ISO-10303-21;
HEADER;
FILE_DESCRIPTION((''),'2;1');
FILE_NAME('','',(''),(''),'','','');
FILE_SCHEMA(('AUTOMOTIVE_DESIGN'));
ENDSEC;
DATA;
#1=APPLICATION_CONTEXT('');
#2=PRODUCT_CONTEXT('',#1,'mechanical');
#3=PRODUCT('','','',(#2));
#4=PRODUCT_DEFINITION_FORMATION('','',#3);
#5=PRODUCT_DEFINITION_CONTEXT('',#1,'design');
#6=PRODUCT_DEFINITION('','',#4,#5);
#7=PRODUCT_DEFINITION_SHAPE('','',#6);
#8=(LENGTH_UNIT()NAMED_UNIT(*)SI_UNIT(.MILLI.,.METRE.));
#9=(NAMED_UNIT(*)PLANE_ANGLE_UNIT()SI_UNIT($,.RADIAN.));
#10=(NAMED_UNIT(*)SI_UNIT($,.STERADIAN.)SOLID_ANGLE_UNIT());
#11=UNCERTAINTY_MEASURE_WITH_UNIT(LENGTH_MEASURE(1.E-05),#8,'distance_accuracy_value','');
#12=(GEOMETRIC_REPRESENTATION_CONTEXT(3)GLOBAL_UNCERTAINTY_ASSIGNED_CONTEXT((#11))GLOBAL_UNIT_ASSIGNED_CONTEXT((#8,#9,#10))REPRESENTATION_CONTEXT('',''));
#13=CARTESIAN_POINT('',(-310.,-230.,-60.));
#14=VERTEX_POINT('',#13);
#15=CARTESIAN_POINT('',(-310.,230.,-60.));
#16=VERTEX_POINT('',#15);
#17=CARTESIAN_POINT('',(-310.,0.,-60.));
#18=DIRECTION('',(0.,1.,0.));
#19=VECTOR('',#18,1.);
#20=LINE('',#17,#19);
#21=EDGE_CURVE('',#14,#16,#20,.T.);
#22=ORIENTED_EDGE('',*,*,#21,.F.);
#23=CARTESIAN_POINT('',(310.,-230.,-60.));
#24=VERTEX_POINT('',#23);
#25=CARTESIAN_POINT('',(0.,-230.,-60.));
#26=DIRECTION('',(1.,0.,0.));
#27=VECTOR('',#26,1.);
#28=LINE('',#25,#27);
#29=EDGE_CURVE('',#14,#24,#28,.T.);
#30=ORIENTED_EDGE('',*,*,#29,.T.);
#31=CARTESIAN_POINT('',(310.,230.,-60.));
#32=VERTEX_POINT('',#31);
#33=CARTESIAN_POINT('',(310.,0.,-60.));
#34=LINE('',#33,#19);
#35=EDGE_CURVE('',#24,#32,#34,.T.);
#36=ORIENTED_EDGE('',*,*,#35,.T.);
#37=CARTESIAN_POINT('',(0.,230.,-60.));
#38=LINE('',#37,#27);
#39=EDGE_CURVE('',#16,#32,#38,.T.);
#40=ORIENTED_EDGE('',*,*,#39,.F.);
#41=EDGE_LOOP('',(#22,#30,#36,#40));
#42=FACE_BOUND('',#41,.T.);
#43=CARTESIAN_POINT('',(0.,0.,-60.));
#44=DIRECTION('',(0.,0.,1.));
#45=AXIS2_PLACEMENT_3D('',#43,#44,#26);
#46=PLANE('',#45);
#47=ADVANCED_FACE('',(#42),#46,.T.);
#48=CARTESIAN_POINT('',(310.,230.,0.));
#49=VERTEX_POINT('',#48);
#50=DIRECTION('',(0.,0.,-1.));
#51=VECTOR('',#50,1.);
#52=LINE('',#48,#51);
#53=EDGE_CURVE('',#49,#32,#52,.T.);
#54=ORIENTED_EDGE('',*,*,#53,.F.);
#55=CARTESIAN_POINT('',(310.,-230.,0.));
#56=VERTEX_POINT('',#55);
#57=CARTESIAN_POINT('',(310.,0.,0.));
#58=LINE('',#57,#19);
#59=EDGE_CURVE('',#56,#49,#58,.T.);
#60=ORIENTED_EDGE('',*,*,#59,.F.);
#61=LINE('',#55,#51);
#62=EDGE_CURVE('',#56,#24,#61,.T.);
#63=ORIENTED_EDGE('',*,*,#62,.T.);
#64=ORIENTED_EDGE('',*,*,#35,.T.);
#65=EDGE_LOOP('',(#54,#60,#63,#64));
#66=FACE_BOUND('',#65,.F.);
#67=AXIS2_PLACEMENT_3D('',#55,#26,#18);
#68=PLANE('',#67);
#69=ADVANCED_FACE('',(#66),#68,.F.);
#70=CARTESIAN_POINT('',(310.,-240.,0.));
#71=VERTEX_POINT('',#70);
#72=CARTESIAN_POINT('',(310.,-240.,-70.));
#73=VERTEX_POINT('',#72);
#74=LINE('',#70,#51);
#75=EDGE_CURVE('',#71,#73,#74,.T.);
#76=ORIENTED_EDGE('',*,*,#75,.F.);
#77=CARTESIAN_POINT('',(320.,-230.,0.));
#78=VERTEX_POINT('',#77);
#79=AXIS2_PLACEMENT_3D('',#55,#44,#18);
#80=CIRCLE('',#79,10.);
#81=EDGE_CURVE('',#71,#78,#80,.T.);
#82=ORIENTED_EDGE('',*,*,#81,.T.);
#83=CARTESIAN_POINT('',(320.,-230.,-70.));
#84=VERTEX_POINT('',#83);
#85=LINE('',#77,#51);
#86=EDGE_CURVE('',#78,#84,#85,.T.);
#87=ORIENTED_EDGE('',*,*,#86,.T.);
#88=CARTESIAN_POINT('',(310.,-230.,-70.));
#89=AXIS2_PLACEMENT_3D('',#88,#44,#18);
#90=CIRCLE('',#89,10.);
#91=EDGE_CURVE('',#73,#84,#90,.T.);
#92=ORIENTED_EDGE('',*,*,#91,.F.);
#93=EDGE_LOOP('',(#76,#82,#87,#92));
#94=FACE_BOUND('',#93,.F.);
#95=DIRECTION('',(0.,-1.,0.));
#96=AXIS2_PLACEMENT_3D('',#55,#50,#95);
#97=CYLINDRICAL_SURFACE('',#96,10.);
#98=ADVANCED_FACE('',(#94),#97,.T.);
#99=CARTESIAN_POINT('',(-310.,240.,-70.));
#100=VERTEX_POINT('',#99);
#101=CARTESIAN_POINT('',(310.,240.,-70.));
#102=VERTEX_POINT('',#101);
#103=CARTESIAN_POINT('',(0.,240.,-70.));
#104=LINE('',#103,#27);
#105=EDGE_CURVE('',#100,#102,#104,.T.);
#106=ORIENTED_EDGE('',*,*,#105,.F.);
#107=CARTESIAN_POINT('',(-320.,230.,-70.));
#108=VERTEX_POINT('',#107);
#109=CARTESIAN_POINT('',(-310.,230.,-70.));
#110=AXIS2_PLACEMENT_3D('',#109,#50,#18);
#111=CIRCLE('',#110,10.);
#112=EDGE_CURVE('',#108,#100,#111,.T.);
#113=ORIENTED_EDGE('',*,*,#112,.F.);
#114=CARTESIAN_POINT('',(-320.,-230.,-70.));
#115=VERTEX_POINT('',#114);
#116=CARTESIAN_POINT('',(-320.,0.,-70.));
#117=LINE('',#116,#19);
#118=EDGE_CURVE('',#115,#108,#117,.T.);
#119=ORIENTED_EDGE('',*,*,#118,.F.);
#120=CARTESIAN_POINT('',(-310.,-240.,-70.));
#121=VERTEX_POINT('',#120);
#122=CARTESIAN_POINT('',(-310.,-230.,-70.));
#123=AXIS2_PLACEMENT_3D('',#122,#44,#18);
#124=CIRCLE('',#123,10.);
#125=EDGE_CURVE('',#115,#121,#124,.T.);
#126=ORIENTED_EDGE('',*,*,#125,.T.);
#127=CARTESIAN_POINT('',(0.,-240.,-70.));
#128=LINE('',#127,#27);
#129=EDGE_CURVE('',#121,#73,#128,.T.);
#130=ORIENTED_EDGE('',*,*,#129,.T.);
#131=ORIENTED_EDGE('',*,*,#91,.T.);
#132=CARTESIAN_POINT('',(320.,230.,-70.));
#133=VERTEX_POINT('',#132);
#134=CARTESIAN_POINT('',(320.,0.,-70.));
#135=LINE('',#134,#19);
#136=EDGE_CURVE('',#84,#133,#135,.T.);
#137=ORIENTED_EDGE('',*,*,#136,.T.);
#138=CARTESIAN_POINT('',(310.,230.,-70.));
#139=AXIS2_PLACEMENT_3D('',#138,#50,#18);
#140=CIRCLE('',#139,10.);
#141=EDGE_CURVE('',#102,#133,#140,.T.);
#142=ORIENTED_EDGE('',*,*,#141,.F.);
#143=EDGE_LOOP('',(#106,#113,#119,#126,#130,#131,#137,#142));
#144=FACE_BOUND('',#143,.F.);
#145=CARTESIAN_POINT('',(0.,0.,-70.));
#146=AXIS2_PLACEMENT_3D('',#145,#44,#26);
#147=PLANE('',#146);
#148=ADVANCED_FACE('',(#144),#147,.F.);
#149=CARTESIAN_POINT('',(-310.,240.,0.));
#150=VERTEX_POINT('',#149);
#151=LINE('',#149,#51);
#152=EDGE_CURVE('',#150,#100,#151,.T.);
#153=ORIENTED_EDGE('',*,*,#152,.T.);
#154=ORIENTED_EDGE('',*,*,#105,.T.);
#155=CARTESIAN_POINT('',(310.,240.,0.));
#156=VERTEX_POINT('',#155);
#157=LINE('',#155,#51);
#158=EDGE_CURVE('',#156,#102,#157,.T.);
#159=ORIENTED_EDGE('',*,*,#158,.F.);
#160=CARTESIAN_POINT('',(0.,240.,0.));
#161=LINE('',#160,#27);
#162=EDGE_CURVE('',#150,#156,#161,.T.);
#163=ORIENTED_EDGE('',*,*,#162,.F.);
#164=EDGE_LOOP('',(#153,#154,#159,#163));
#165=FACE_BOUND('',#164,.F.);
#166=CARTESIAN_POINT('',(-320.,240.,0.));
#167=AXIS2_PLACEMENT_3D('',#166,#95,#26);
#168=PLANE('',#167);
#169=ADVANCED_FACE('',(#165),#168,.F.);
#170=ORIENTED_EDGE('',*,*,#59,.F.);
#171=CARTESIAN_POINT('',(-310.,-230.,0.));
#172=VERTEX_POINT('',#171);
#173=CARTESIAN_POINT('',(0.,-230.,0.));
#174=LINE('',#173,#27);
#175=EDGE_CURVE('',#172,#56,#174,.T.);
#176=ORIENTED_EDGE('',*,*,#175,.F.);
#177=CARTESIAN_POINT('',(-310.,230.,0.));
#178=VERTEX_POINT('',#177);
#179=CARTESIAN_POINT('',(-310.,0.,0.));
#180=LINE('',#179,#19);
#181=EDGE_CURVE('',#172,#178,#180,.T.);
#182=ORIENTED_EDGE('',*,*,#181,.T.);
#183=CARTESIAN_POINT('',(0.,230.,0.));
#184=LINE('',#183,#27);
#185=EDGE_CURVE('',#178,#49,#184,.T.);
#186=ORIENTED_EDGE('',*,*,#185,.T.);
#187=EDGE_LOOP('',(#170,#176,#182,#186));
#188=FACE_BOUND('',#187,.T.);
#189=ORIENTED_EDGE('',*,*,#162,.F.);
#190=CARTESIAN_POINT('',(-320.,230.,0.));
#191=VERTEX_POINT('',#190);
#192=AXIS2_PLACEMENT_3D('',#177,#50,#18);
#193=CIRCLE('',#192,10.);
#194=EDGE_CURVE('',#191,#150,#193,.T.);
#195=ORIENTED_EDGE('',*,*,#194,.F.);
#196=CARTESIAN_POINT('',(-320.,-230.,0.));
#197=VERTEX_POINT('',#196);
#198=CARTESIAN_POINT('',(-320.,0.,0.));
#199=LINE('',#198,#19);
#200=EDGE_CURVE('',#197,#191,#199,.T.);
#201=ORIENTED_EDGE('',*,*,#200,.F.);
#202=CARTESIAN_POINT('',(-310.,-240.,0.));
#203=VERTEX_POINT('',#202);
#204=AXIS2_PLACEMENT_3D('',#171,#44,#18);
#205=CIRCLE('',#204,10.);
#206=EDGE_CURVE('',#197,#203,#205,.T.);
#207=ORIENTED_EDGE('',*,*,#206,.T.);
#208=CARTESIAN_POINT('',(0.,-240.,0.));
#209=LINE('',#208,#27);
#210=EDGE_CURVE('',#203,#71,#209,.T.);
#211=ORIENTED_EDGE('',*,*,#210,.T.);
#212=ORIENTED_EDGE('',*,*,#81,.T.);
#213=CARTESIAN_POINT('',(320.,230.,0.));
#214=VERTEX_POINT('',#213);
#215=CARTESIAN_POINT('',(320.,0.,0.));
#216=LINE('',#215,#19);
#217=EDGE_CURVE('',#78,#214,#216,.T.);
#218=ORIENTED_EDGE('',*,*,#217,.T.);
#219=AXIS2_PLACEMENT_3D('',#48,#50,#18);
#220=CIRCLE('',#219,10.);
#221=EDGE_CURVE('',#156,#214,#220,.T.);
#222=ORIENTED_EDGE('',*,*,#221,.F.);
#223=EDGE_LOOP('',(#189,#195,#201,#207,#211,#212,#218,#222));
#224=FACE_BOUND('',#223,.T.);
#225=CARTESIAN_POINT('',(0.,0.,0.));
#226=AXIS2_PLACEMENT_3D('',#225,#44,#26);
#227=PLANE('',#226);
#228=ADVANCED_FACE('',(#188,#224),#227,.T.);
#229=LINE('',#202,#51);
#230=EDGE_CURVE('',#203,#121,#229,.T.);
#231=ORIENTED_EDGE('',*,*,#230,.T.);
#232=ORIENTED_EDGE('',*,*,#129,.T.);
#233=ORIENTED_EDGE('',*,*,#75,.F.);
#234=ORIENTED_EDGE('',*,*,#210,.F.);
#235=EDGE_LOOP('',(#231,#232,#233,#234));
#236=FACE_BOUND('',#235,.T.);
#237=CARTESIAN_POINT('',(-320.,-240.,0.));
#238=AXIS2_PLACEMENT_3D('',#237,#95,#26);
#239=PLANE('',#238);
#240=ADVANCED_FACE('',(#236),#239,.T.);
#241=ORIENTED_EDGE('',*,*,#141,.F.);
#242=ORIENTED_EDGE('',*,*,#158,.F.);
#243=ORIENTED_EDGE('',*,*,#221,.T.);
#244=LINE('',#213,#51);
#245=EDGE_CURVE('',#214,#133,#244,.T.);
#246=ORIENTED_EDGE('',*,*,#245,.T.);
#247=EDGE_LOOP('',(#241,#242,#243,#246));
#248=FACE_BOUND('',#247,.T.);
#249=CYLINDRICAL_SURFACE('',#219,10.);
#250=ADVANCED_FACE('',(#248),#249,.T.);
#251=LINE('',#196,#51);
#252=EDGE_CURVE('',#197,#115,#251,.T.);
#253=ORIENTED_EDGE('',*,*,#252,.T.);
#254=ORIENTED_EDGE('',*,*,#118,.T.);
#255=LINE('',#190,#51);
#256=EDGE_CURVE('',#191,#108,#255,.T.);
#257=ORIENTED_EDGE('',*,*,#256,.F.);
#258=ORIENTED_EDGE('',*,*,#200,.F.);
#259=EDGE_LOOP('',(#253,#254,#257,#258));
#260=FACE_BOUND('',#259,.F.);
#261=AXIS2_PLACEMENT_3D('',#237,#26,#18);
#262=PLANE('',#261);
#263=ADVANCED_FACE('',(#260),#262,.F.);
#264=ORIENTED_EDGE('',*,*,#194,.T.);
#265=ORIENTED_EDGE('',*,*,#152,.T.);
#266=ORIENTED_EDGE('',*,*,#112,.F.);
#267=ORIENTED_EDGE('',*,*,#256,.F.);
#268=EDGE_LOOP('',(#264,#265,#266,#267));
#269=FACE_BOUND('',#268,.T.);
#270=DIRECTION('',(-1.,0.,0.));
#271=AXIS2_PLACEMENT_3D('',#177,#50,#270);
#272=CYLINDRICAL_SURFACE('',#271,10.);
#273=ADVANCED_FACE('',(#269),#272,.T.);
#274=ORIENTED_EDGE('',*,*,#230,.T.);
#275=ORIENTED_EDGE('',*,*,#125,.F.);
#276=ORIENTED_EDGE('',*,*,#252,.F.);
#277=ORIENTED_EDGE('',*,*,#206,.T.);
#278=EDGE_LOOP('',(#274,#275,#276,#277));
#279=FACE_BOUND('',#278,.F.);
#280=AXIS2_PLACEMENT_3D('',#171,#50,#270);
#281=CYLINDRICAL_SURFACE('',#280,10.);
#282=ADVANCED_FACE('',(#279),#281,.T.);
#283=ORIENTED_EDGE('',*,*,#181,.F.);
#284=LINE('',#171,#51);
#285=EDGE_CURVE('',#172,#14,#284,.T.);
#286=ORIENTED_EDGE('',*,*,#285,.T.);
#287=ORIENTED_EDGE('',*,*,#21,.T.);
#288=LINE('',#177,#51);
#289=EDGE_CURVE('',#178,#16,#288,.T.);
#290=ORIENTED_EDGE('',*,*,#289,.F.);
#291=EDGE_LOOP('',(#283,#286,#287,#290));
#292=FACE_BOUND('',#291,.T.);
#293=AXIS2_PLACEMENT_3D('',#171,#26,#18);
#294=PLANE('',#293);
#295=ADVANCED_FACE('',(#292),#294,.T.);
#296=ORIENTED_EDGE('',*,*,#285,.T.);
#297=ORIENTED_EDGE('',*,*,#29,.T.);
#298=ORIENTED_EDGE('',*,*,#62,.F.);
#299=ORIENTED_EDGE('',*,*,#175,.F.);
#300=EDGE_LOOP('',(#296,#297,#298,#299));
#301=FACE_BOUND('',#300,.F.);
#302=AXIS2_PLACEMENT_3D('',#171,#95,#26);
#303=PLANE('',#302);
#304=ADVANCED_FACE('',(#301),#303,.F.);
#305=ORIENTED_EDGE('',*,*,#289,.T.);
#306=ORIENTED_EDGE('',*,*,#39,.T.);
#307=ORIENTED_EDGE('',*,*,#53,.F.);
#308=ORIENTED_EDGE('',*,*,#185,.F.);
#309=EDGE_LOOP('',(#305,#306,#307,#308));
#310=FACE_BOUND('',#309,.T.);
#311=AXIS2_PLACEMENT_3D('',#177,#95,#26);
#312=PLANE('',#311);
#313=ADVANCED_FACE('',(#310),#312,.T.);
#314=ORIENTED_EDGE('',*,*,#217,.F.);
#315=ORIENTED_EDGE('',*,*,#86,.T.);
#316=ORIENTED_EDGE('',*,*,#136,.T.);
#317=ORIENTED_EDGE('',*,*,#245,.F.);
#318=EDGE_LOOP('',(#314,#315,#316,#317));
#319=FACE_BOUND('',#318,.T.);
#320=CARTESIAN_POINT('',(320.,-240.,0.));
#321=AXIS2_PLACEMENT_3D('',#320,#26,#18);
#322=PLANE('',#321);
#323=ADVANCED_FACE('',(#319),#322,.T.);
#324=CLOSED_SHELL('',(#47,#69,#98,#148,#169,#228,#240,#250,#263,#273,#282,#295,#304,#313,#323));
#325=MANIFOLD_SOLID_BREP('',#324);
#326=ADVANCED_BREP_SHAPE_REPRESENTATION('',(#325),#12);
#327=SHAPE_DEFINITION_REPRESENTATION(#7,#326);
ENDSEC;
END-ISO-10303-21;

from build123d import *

# Parameters (mm, degrees)
F0_W     = 640
F0_H     = 480
F0_W_2   = 620
F0_H_2   = 460
F1_DEPTH = 70
F2_DEPTH = 60
F3_R     = 10


with BuildPart() as f1:
    # F0 (on Top) → F1 (new body)
    with BuildSketch(Plane.XY):
        Rectangle(F0_W, F0_H)
        Rectangle(F0_W_2, F0_H_2, mode=Mode.SUBTRACT)
        Rectangle(F0_W_2, F0_H_2)
    extrude(amount=-F1_DEPTH)

    # F0 (on Top) → F2 (cut)
    with BuildSketch(Plane.XY):
        Rectangle(F0_W_2, F0_H_2)
    extrude(amount=-F2_DEPTH, mode=Mode.SUBTRACT)

    # F3
    f3_edges = [f1.edges().sort_by_distance(p)[0] for p in [
        (320, -240, -35),
        (320, 240, -35),
        (-320, -240, -35),
        (-320, 240, -35),
    ]]
    fillet(f3_edges, radius=F3_R)


solid = f1.part
